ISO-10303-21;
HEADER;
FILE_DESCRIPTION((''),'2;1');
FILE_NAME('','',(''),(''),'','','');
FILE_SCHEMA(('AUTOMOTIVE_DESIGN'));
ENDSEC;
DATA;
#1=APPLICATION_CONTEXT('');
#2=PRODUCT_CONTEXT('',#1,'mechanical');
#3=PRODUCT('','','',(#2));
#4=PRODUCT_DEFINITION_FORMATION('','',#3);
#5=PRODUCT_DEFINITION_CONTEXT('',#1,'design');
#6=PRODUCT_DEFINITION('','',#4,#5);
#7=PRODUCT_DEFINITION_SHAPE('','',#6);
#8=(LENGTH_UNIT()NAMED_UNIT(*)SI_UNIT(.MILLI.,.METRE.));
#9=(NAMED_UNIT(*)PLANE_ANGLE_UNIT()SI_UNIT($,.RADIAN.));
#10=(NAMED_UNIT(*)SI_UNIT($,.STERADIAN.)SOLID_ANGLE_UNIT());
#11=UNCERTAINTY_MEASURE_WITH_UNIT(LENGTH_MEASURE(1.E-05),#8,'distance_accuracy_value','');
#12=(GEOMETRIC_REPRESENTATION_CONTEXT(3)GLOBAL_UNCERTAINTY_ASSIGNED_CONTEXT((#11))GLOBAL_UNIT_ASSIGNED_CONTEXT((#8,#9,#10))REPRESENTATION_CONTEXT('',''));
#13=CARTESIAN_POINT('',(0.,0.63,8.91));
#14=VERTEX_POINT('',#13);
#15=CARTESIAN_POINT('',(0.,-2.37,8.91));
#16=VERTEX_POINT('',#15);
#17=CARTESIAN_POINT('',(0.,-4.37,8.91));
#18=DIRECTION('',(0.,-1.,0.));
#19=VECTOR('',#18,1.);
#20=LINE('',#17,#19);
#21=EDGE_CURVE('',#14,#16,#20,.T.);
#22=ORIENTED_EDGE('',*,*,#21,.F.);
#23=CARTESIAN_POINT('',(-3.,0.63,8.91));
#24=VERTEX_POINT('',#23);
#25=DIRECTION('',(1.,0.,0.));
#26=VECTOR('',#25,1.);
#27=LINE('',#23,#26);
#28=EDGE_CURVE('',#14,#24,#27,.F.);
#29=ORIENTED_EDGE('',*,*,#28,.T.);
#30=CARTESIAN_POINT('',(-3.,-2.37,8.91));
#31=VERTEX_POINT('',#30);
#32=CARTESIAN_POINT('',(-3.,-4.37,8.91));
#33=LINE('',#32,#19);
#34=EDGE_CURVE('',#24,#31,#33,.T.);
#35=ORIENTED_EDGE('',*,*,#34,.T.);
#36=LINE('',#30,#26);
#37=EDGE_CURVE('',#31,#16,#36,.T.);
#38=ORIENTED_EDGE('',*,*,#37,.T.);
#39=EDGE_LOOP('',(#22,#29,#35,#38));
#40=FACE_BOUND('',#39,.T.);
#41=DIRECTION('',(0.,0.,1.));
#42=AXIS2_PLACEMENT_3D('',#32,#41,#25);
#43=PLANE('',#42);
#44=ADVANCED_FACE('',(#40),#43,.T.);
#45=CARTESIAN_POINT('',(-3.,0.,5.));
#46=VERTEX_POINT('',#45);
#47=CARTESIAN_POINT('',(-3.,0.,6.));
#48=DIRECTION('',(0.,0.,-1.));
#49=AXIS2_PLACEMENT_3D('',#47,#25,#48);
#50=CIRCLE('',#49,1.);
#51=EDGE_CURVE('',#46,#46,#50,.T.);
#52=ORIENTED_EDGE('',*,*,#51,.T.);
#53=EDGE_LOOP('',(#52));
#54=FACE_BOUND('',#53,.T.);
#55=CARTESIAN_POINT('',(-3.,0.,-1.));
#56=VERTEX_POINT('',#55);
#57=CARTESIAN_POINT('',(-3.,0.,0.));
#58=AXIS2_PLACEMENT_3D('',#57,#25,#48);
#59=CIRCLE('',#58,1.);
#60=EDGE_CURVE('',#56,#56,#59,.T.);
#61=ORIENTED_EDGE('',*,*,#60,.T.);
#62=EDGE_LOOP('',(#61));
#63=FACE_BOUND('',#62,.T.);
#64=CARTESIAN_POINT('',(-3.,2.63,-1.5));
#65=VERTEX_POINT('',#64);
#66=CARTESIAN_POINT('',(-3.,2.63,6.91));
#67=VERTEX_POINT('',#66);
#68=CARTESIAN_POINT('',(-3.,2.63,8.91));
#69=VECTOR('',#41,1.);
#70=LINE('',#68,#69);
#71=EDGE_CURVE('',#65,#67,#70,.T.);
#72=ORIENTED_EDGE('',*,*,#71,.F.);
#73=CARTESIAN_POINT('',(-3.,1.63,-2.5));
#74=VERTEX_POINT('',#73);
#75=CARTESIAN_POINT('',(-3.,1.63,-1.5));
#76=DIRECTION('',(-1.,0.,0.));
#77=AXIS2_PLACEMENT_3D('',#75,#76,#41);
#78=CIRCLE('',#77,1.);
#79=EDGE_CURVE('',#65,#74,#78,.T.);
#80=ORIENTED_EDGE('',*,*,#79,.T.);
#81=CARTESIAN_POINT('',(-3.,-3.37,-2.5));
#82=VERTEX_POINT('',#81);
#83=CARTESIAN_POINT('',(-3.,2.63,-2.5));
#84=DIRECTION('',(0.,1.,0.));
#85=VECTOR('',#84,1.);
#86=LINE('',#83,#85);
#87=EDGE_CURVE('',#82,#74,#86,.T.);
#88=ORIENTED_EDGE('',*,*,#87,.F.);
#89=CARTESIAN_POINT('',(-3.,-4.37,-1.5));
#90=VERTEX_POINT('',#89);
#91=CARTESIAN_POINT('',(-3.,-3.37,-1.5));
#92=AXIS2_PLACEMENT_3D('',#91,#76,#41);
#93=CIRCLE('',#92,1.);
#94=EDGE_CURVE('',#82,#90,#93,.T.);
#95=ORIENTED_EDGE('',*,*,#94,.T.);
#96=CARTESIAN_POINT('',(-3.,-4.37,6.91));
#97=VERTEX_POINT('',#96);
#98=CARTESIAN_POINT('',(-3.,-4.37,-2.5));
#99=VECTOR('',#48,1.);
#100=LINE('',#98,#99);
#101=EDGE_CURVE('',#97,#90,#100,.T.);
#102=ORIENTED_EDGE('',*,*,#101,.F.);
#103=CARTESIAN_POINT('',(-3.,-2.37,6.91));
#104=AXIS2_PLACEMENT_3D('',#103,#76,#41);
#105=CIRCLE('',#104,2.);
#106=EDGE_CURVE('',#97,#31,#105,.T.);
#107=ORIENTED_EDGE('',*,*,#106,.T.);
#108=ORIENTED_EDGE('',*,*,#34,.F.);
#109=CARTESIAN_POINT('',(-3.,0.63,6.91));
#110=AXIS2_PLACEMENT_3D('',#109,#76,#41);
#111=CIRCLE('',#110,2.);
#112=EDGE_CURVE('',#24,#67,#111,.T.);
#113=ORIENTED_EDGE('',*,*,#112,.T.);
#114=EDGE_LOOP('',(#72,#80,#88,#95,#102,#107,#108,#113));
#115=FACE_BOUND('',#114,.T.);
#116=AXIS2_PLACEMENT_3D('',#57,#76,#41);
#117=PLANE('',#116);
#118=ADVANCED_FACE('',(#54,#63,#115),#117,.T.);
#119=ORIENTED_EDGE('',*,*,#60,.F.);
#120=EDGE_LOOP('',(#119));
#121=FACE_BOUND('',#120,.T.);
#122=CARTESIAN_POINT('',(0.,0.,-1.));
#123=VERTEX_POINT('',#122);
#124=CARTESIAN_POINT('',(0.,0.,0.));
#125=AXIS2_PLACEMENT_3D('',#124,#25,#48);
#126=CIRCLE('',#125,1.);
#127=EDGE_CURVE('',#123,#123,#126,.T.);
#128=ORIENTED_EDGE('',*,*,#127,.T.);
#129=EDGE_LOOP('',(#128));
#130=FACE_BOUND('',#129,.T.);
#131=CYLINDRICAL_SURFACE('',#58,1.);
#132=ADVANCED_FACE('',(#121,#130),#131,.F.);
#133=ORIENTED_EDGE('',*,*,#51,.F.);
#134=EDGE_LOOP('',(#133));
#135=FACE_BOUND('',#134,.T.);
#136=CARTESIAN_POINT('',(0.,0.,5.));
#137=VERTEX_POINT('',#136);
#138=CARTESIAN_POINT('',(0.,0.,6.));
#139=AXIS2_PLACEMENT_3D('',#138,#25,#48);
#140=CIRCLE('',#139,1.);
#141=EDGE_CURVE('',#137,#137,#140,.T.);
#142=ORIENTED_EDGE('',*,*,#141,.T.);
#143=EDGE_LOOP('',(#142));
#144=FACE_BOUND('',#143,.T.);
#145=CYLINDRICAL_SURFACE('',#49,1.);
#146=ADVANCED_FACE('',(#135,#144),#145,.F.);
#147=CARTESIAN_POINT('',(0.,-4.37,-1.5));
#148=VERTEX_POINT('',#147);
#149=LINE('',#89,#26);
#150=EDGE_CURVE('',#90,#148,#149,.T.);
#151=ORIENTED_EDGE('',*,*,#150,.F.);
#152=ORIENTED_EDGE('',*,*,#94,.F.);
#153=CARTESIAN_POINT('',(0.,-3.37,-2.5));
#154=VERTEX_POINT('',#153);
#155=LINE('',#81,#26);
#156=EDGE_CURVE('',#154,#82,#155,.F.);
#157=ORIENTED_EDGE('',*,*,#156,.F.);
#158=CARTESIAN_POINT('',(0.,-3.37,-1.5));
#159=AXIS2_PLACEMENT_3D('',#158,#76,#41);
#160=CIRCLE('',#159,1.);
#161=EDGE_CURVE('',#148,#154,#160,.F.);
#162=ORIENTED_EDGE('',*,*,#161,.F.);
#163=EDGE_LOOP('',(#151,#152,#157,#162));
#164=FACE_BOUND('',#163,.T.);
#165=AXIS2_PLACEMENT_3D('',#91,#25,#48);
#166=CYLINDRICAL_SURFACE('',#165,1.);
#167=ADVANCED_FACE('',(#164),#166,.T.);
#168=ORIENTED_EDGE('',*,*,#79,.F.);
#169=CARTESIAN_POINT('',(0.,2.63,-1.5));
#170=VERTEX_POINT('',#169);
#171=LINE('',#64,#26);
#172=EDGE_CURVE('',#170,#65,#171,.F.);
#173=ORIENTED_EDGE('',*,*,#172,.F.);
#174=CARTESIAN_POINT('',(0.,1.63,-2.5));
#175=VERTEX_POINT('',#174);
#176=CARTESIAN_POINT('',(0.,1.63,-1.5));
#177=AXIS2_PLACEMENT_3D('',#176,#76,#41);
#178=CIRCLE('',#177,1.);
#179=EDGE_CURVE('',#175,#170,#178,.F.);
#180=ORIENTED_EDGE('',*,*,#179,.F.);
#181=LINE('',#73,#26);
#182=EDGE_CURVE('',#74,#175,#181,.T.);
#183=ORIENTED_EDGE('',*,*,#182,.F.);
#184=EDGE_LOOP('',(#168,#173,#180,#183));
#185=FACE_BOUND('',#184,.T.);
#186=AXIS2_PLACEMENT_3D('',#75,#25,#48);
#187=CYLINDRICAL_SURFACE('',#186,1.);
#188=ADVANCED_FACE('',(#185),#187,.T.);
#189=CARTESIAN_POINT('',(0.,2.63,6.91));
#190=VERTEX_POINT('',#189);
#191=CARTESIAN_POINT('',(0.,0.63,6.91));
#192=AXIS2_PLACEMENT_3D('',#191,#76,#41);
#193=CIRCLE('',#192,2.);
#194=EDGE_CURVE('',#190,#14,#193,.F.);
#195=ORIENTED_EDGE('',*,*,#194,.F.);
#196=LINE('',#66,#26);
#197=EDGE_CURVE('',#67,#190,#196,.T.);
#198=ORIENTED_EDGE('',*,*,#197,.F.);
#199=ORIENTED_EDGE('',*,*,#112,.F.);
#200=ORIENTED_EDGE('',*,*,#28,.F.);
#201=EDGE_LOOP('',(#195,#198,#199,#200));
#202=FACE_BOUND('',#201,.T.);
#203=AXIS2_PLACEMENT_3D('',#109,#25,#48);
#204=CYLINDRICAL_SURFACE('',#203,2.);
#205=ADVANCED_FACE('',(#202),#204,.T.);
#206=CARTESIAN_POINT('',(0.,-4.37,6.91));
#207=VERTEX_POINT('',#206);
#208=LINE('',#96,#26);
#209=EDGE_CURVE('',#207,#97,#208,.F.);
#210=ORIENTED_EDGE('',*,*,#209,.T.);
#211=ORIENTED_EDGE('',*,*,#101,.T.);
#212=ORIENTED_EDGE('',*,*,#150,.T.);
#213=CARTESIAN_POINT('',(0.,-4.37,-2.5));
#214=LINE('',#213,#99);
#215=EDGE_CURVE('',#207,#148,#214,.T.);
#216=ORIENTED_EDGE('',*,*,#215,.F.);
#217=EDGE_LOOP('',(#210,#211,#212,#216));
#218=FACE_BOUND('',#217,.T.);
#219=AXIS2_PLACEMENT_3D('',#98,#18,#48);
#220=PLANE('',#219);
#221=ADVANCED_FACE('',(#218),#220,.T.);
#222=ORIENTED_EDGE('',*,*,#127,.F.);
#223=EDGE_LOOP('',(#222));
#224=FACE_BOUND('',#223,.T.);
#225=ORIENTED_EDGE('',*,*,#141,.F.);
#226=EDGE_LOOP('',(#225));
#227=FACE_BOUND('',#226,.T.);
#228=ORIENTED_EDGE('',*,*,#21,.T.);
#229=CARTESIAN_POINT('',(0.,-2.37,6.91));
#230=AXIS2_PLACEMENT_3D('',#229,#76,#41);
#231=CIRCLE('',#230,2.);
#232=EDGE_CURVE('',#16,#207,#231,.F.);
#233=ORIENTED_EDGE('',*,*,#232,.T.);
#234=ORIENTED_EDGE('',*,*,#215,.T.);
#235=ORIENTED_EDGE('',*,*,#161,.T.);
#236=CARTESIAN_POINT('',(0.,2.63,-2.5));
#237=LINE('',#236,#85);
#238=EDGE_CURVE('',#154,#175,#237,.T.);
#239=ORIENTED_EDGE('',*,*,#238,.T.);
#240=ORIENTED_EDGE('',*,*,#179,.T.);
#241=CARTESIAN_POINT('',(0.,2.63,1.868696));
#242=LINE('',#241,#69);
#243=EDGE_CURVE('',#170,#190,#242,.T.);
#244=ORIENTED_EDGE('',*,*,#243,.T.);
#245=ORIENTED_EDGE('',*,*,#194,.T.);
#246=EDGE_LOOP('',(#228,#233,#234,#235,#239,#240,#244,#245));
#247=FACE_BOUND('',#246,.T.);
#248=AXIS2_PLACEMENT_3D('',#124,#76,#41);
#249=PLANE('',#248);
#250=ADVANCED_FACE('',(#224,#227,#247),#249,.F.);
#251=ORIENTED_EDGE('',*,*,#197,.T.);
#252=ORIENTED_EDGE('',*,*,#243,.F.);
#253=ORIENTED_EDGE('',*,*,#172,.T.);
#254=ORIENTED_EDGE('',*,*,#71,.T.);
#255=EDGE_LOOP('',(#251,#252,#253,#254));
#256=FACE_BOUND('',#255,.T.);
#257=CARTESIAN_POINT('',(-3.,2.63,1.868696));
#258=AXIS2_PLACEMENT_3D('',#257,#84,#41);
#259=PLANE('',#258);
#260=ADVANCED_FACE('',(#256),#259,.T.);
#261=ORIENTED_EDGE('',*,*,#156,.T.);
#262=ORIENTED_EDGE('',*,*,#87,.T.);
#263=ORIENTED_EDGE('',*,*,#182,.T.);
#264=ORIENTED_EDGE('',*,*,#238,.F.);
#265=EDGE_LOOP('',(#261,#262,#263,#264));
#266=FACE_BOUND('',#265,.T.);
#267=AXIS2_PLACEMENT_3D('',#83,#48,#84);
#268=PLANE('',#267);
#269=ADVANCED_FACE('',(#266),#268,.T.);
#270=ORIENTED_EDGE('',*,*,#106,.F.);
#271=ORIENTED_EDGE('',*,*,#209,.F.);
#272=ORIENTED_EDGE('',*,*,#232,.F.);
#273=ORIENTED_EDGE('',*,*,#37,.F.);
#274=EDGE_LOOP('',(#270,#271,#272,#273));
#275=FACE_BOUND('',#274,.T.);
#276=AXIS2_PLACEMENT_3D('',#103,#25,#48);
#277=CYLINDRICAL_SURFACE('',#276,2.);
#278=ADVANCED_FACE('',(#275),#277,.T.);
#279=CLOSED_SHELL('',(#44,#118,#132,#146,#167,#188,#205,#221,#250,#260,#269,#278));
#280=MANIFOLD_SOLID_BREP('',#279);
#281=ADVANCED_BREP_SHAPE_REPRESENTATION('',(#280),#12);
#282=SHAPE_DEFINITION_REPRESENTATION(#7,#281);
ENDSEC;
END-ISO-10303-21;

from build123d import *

# Parameters (mm, degrees)
SKETCH1_R           = 1
BOSS_EXTRUDE1_DEPTH = 3
FILLET1_R           = 2
FILLET2_R           = 1


with BuildPart() as part:
    # Sketch1 → Boss-Extrude1 (new body)
    with BuildSketch(Plane(origin=(0, 0, 0), x_dir=(0, 0, -1), z_dir=(1, 0, 0))):
        Polygon((-1.868695944, 2.63), (2.5, 2.63), (2.5, -4.37), (-8.91, -4.37), (-8.91, 2.63), align=None)
        Circle(SKETCH1_R, mode=Mode.SUBTRACT)
        with Locations((-6, 0)):
            Circle(SKETCH1_R, mode=Mode.SUBTRACT)
    extrude(amount=-BOSS_EXTRUDE1_DEPTH)

    # Fillet1
    fillet1_edges = [part.edges().sort_by_distance(p)[0] for p in [
        (-1.5, -4.37, 8.91),
        (-1.5, 2.63, 8.91),
    ]]
    fillet(fillet1_edges, radius=FILLET1_R)

    # Fillet2
    fillet2_edges = [part.edges().sort_by_distance(p)[0] for p in [
        (-1.5, 2.63, -2.5),
        (-1.5, -4.37, -2.5),
    ]]
    fillet(fillet2_edges, radius=FILLET2_R)


solid = part.part
